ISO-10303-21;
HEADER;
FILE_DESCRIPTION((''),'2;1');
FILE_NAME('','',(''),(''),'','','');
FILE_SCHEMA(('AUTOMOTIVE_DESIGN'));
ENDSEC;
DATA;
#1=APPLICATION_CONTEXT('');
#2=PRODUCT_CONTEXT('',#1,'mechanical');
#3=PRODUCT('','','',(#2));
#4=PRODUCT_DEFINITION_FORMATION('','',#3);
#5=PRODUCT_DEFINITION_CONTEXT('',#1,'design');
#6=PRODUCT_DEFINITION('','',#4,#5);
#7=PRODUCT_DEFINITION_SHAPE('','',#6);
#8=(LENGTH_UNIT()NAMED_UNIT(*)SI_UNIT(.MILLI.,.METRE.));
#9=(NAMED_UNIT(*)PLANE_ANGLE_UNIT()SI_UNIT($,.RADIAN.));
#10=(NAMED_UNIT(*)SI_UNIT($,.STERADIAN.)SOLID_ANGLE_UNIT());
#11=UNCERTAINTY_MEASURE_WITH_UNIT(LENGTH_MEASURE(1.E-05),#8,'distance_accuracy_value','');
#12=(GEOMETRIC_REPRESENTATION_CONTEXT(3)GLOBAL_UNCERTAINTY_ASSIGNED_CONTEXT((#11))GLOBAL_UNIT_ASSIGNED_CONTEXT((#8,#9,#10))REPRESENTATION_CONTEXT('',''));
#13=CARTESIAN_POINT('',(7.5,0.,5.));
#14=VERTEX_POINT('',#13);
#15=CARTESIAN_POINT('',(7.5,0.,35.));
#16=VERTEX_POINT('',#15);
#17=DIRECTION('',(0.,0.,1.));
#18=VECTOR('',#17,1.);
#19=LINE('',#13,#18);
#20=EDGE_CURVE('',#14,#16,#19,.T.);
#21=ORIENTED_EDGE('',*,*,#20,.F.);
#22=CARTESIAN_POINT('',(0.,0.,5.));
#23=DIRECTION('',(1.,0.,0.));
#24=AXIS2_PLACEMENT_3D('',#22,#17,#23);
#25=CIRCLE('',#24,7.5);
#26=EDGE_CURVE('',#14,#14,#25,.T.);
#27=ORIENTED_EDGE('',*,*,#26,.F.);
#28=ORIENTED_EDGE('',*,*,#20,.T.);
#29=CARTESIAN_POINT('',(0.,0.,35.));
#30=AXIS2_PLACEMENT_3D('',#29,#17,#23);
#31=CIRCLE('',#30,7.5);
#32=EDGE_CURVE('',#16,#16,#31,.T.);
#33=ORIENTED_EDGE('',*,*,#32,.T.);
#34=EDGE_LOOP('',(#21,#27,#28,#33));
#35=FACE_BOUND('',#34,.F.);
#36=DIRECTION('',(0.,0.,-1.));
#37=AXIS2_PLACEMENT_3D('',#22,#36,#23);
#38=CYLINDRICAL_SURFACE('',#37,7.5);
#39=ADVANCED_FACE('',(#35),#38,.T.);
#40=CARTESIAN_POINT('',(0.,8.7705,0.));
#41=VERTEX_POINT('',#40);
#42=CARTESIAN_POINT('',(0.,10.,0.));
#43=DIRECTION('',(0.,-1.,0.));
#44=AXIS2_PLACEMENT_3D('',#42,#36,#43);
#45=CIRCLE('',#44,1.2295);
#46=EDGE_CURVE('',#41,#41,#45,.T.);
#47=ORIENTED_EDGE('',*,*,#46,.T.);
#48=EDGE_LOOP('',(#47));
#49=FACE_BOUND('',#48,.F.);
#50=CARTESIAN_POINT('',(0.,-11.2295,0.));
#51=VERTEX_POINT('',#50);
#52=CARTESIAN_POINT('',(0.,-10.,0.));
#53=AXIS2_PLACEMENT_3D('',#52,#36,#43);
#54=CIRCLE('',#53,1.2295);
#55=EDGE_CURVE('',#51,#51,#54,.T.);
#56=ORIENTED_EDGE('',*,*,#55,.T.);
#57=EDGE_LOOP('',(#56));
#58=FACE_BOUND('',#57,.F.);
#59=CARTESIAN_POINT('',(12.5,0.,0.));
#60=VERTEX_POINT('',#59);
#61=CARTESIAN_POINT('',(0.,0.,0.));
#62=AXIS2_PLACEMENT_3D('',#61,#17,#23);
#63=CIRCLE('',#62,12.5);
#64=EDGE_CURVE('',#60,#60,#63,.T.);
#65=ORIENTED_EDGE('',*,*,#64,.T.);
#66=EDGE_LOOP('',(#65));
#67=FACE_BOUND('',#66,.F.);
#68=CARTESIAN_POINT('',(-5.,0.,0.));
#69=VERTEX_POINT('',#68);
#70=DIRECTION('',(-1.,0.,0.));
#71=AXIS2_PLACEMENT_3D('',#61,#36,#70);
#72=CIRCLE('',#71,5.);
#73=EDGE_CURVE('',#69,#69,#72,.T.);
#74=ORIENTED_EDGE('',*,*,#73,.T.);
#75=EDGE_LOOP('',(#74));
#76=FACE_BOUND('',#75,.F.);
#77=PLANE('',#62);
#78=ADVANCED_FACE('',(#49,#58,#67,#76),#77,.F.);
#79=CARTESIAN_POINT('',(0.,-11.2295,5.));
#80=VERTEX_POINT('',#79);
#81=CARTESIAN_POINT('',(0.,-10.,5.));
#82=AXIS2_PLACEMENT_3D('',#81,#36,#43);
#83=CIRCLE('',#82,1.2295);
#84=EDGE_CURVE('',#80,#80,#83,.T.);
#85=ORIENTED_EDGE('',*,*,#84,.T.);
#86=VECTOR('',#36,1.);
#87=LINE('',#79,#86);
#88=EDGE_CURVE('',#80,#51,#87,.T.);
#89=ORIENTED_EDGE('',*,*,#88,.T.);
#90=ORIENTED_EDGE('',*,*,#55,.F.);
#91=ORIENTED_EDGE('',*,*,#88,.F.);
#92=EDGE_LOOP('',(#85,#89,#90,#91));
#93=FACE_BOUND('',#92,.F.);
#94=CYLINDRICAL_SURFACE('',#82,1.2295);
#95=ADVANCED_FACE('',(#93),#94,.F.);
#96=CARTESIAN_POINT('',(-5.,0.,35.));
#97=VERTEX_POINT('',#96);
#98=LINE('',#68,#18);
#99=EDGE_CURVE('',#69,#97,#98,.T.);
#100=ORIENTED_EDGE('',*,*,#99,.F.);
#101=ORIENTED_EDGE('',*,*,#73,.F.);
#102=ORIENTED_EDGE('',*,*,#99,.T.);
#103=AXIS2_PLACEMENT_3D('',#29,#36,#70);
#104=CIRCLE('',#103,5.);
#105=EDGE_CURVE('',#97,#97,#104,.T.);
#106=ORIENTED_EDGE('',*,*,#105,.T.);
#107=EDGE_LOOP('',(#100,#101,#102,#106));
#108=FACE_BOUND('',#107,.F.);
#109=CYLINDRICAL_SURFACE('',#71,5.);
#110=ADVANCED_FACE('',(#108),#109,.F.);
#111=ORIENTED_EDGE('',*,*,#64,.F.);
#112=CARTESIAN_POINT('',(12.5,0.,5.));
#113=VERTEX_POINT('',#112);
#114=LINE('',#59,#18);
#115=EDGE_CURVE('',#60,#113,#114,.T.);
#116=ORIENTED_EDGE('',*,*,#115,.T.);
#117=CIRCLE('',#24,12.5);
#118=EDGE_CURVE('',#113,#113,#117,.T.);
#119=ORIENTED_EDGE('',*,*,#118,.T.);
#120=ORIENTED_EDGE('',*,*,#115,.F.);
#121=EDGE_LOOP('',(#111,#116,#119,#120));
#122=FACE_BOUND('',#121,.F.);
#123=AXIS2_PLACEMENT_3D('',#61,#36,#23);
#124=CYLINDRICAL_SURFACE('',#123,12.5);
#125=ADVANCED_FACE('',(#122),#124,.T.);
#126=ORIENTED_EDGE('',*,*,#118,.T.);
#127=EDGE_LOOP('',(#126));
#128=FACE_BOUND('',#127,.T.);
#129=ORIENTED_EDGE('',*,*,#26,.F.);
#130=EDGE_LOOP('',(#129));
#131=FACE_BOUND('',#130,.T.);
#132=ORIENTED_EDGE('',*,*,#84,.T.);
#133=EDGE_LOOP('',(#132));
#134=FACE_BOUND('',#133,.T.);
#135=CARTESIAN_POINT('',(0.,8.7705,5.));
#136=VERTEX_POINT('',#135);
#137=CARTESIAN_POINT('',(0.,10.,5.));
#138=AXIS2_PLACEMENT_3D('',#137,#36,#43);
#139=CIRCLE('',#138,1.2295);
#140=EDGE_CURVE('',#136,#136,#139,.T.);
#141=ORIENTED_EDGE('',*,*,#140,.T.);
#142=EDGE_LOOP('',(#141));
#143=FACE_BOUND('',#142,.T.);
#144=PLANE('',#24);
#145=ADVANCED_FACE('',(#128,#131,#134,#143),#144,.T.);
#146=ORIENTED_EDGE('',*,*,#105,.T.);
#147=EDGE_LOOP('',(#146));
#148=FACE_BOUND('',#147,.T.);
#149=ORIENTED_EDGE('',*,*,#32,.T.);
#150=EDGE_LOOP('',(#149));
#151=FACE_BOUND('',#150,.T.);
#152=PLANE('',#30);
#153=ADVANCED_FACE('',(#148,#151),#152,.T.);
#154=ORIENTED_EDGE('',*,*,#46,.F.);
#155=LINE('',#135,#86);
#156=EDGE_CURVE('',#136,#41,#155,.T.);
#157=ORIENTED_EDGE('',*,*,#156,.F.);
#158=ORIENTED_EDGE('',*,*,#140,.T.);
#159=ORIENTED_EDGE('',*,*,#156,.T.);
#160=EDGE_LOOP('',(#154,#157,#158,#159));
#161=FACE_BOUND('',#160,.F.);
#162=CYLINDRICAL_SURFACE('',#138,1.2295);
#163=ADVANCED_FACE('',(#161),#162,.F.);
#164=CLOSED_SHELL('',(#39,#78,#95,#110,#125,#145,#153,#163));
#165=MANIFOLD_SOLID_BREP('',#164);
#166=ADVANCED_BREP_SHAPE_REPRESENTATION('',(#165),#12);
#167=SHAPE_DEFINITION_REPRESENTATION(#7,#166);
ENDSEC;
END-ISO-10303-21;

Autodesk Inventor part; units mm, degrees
ref_plane "YZ Plane" through (0, 0, 0) normal (1, 0, 0) x (0, 1, 0)
ref_plane "XZ Plane" through (0, 0, 0) normal (0, 1, 0) x (-1, 0, 0)
ref_plane "XY Plane" through (0, 0, 0) normal (0, 0, 1) x (1, 0, 0)
sketch "スケッチ1" plane through (0, 0, 0) normal (0, 0, 1) x (1, 0, 0)
  circle A0 centre (0, 0) radius 12.5
  dimension "d0" = 25
extrude "押し出し1" add sketch "スケッチ1" along normal blind 5
sketch "スケッチ2" plane through (0, 0, 5) normal (0, 0, 1) x (1, 0, 0)
  circle A0 centre (0, 0) radius 7.5
  dimension "d3" = 15
extrude "押し出し2" add sketch "スケッチ2" along normal blind 30
sketch "スケッチ3" plane through (0, 0, 0) normal (0, 0, -1) x (-1, 0, 0)
  circle A0 centre (0, 0) radius 5
  dimension "d6" = 10
extrude "押し出し3" cut sketch "スケッチ3" against normal blind 35
sketch "スケッチ4" plane through (0, 0, 5) normal (0, 0, 1) x (1, 0, 0)
  line L0 (0, 0) -> (-12.5, 0) construction
  circle A0 centre (0, 0) radius 12.5 projected
  point P0 (0, -10)
  point P1 (0, 10)
  dimension "d9" = 20
hole "穴1" at (0, -10, 5) at (0, 10, 5) direction (0, 0, -1) diameter 2.459 end through all thread size "M3x0.5" class "6H" standard "ISO Metric profile"
properties part number "RD005_ペンホルダ"
